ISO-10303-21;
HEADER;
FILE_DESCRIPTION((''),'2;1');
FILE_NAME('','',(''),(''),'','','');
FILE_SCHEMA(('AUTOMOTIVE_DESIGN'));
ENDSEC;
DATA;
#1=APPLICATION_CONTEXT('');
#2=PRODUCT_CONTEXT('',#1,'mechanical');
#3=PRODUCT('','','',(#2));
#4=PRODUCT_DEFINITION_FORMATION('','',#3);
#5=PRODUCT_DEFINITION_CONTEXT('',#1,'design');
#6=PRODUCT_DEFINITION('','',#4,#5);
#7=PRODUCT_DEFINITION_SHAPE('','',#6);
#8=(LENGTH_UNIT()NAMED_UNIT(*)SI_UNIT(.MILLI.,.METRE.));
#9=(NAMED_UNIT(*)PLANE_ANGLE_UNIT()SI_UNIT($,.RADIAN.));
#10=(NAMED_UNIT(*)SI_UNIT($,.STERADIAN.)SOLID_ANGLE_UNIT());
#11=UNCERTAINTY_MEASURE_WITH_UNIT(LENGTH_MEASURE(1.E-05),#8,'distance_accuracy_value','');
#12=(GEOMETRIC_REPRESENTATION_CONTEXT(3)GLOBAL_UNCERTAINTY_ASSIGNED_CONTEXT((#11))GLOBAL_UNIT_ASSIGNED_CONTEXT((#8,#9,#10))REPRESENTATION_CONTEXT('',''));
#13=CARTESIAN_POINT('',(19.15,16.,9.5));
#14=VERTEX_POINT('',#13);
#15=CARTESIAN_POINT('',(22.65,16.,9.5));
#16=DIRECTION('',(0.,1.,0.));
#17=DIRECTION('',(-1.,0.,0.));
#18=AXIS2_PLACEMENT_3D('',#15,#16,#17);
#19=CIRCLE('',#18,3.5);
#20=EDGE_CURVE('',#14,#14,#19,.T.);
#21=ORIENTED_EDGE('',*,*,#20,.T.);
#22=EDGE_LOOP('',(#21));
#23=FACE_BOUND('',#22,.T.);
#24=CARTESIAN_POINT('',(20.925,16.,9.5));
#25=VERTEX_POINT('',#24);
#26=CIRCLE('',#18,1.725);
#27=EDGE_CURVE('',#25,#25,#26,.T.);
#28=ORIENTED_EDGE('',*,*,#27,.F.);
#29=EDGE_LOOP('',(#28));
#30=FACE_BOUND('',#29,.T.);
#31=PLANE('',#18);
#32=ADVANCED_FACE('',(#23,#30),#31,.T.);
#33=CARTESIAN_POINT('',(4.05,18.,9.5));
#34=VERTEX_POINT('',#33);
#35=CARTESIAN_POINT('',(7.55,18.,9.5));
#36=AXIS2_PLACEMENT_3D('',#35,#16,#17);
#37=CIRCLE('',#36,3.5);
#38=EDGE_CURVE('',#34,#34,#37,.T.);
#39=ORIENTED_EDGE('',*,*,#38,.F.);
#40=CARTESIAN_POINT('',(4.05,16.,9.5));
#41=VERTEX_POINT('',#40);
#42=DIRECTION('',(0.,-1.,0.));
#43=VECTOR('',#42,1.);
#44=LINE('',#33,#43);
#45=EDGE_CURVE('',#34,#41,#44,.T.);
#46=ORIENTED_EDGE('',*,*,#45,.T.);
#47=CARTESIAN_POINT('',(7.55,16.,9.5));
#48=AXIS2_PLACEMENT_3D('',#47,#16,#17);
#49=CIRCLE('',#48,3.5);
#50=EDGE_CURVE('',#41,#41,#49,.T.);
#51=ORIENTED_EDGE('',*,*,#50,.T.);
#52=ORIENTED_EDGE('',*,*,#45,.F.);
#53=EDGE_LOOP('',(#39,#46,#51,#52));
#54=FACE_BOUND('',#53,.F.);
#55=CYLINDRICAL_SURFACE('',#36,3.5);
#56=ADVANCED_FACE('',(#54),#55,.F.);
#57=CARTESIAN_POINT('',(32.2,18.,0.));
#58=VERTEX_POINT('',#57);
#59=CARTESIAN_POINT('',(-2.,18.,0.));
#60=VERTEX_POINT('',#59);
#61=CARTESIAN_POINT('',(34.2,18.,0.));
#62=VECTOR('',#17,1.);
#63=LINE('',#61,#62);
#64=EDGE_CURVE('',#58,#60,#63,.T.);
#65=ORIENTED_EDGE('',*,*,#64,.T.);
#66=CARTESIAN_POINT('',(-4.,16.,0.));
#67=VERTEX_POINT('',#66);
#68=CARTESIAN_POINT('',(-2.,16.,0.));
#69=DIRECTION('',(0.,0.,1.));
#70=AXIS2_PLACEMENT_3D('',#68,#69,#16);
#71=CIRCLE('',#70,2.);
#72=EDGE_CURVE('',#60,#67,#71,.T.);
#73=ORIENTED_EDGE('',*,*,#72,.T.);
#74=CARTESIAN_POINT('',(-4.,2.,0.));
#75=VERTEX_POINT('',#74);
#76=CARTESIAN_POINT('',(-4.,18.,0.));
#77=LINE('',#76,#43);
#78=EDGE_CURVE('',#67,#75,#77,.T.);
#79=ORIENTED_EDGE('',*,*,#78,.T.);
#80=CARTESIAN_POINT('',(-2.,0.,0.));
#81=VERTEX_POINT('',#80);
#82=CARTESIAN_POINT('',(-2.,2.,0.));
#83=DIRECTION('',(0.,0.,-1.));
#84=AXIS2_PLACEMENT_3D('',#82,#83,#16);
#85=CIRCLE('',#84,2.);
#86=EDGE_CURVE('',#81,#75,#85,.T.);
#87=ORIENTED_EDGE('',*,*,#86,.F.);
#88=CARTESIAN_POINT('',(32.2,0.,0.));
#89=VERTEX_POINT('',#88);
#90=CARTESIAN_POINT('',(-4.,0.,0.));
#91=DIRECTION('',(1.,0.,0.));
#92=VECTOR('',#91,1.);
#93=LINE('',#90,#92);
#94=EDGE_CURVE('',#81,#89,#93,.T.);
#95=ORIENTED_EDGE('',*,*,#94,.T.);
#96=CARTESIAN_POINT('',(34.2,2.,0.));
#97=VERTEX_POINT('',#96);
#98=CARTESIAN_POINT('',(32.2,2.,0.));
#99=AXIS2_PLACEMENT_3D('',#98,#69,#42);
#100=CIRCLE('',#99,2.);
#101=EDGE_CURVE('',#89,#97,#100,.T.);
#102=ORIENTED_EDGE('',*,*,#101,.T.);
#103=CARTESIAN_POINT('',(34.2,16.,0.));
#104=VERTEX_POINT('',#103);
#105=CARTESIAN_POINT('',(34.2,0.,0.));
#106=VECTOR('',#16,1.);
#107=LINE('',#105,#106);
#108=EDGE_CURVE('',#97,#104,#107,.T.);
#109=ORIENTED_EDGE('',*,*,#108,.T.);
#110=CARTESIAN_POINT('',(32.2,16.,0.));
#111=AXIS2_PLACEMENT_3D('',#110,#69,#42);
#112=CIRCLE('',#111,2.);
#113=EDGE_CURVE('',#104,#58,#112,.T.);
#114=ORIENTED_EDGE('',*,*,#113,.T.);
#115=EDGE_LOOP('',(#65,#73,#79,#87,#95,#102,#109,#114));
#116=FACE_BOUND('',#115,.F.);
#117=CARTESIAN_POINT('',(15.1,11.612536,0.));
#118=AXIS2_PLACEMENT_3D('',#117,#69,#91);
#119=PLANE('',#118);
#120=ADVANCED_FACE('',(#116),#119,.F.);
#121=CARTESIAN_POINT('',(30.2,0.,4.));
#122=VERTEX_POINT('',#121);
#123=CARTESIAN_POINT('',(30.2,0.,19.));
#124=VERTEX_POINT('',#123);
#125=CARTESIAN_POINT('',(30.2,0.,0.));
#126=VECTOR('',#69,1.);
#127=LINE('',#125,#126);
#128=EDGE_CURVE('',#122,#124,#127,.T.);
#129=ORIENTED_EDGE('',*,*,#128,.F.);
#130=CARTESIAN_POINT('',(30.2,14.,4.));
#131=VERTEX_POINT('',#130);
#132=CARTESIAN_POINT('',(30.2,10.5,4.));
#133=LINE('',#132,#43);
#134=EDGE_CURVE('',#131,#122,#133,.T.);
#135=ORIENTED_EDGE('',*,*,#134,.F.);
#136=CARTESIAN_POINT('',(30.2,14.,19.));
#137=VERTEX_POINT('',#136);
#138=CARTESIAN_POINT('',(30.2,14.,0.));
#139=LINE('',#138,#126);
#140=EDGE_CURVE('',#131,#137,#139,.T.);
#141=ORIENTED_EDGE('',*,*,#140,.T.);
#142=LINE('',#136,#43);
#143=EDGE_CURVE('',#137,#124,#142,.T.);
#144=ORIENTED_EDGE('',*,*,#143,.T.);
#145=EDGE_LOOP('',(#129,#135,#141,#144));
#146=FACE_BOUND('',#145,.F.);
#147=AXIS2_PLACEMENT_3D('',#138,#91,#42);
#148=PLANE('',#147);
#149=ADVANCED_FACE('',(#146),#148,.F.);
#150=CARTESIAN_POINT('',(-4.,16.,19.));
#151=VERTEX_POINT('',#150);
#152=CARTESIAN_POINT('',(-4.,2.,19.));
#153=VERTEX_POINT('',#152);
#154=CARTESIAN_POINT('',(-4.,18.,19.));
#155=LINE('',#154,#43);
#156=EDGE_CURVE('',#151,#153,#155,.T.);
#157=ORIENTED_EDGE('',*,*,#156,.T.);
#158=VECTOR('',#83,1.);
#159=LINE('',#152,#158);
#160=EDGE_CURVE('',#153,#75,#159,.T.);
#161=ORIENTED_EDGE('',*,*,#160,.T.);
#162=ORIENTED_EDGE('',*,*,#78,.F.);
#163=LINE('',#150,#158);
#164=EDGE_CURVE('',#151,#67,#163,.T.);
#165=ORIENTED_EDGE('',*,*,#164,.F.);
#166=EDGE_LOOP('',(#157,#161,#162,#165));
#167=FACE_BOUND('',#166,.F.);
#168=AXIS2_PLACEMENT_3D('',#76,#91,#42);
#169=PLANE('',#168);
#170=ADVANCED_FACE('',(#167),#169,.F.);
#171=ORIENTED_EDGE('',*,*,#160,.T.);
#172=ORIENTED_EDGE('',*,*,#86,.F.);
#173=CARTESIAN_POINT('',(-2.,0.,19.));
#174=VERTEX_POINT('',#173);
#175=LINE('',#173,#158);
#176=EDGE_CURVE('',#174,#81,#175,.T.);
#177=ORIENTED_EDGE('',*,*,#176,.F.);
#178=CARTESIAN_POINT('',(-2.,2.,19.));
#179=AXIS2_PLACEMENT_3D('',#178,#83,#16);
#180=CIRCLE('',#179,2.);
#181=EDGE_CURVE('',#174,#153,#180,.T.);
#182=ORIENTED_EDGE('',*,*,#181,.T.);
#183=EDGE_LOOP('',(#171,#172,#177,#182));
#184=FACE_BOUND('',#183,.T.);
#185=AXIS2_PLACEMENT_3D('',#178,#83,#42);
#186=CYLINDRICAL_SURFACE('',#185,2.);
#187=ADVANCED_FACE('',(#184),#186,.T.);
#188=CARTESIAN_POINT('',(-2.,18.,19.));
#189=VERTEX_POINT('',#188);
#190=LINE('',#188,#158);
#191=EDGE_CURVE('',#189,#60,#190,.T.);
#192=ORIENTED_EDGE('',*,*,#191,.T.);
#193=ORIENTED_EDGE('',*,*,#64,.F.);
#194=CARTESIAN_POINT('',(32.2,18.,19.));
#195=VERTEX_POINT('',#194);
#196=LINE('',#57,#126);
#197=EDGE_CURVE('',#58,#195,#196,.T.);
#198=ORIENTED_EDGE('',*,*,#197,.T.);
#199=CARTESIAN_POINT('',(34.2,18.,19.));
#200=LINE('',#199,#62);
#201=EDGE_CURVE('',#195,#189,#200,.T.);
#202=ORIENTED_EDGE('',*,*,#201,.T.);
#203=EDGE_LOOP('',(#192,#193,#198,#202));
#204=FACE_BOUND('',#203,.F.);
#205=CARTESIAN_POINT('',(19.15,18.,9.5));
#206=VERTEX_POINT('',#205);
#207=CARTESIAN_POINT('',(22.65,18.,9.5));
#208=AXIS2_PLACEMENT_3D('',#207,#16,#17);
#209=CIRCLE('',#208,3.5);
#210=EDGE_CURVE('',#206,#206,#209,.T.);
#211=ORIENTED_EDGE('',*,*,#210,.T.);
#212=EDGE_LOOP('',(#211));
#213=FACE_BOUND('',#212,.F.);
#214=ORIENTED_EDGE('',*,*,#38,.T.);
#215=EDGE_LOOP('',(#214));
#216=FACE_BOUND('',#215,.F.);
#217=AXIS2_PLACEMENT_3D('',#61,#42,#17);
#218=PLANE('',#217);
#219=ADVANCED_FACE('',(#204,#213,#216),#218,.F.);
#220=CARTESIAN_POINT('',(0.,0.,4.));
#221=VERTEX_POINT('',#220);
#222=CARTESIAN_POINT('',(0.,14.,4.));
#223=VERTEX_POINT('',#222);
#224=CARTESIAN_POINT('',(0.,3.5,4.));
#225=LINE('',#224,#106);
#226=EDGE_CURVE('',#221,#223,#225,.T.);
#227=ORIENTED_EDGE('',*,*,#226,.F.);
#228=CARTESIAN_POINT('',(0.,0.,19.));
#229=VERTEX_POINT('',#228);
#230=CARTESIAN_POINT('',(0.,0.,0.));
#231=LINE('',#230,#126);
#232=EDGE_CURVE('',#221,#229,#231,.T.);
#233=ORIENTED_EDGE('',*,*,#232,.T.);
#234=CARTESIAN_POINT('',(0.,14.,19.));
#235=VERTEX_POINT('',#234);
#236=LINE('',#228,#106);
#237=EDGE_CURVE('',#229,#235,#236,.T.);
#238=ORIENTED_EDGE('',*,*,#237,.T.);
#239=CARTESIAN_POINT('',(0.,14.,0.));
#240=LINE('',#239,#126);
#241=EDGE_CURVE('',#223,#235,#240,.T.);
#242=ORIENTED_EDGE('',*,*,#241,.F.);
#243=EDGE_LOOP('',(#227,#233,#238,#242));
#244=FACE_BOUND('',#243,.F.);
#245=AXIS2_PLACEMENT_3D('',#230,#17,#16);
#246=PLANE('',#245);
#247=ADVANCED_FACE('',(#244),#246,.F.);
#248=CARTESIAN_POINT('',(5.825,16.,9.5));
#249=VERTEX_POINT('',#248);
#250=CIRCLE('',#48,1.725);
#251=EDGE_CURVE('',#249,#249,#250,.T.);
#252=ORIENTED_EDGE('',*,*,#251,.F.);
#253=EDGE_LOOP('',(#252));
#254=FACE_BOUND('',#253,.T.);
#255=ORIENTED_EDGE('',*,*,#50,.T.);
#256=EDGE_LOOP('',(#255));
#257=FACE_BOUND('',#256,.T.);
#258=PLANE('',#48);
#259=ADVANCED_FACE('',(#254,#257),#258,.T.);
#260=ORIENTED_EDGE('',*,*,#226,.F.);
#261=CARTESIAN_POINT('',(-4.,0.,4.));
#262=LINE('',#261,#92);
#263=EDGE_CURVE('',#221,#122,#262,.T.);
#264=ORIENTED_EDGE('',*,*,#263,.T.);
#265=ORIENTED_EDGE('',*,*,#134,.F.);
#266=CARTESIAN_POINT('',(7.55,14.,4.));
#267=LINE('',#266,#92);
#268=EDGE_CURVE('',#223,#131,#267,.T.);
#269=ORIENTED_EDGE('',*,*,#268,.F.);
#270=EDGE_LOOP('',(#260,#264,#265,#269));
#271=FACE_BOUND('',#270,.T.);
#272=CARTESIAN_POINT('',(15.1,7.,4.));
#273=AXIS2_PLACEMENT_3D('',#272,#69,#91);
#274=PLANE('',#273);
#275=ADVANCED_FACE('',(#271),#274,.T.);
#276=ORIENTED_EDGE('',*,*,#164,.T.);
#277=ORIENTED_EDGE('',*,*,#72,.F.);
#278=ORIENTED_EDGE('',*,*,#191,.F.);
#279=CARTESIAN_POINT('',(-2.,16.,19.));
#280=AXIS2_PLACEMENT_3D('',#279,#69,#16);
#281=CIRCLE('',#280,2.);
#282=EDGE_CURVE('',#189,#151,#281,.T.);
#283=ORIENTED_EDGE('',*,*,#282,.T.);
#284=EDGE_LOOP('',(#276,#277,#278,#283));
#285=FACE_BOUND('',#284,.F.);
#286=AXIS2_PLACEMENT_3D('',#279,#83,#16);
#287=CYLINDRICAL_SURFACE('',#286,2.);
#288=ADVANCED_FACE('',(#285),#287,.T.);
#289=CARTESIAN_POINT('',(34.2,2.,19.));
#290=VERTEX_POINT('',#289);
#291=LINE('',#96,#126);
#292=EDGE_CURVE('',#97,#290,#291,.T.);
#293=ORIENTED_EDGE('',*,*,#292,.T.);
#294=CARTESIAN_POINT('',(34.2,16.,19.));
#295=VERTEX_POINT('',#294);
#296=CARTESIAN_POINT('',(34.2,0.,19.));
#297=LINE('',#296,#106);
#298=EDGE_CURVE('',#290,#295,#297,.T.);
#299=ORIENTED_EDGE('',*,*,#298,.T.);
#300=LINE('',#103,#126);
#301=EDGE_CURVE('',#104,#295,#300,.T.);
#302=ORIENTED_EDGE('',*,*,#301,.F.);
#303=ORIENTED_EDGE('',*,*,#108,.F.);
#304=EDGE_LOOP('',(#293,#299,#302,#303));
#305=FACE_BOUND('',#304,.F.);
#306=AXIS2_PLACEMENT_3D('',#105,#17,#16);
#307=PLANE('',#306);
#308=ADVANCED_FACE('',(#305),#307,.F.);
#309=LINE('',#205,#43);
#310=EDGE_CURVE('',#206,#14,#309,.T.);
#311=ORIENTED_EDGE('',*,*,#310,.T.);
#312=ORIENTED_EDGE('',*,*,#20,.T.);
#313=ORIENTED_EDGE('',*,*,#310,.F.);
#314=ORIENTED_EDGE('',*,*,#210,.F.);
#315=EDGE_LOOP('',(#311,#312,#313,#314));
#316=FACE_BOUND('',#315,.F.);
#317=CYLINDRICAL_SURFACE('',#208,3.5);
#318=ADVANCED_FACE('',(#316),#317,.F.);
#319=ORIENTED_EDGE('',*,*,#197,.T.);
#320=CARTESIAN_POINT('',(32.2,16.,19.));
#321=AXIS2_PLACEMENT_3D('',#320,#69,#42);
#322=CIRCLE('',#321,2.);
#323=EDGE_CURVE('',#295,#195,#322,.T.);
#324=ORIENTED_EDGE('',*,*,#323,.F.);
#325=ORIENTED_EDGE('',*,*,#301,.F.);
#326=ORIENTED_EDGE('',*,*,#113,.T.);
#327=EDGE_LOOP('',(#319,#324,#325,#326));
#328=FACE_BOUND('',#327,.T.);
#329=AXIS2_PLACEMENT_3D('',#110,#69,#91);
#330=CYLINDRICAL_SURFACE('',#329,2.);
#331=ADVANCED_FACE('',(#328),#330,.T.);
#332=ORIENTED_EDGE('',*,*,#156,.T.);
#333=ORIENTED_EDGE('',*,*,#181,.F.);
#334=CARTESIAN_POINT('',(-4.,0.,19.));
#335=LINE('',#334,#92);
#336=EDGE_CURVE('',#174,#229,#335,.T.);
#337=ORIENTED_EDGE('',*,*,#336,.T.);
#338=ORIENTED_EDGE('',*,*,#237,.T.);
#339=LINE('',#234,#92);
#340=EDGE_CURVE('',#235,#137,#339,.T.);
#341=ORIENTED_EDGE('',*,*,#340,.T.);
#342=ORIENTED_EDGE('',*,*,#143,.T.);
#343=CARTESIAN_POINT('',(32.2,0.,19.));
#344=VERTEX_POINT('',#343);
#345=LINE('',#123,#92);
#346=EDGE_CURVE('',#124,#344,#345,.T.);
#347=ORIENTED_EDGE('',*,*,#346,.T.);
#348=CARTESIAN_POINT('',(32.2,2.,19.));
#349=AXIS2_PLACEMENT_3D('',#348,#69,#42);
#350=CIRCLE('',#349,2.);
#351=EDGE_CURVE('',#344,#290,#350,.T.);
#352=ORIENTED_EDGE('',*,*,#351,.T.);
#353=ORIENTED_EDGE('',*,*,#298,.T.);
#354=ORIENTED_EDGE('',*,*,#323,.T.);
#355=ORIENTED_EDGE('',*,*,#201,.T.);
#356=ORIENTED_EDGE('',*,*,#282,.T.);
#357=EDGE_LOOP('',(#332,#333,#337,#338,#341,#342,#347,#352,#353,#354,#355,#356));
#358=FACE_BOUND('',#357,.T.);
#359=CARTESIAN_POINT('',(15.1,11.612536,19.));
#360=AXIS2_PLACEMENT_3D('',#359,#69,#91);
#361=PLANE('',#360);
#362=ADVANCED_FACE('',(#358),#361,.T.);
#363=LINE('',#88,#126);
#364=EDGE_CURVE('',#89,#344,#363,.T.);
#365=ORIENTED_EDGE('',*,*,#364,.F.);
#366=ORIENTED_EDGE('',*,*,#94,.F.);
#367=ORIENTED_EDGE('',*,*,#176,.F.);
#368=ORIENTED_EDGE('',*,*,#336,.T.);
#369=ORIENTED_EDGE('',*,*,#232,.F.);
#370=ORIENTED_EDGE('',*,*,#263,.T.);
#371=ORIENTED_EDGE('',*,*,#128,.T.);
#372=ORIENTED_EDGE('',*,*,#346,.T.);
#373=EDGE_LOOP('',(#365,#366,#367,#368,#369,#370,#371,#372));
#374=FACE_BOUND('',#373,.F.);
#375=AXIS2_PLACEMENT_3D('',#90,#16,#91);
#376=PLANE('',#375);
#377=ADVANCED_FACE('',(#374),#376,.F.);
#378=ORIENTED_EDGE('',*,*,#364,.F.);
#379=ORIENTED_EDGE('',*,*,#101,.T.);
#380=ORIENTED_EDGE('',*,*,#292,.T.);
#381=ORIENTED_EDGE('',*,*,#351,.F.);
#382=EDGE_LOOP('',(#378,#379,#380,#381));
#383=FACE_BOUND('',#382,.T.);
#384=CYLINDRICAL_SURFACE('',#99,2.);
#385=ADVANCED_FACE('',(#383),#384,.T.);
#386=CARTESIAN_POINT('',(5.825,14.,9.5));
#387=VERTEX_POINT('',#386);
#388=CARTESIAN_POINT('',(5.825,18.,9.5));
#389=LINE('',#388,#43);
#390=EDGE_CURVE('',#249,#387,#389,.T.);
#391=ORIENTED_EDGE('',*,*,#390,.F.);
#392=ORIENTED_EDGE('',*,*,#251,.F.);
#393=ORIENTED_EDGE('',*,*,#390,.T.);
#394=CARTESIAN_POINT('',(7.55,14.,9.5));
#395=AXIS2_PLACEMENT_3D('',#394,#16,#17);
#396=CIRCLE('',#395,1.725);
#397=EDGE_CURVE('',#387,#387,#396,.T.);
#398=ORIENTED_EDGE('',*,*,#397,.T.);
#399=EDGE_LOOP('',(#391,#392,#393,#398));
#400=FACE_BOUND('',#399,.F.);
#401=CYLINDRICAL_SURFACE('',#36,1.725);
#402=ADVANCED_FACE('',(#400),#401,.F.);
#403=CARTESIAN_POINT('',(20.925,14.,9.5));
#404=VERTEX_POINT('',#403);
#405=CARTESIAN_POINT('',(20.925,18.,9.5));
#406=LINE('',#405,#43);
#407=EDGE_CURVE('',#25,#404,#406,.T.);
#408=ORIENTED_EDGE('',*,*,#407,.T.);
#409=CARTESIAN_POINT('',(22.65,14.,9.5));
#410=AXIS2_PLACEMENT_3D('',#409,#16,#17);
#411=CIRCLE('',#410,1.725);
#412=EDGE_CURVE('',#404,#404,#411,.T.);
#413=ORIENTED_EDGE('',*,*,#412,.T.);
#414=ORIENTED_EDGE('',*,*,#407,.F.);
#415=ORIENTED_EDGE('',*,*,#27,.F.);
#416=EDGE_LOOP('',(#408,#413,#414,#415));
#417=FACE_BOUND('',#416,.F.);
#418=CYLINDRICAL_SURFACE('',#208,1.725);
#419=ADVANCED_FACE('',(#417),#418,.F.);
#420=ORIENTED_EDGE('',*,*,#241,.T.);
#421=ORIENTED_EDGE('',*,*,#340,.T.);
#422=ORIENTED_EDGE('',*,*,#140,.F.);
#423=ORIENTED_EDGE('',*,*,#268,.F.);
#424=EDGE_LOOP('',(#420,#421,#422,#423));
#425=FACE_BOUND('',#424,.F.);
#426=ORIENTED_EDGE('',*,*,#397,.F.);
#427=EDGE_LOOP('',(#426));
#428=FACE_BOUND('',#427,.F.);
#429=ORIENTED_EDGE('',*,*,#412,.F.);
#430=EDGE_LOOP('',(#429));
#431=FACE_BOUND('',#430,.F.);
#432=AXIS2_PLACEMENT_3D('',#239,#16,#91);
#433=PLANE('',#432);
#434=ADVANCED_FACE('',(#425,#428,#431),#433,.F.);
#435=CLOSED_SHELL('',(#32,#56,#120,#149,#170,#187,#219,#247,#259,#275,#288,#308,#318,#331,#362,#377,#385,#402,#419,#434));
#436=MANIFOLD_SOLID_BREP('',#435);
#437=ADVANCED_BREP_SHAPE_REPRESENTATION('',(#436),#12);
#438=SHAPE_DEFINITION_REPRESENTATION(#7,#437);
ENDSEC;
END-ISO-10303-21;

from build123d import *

# Parameters (mm, degrees)
F1_DEPTH = 19
F0_W     = 30.2
F0_H     = 14
F2_DEPTH = 4
F3_R     = 2
F4_R     = 3.5
F4_R_2   = 1.725
F5_DEPTH = 2
F6_DEPTH = 4


with BuildPart() as f1:
    # F0 (on Top) → F1 (new body)
    with BuildSketch(Plane.XY):
        Polygon((-4, 0), (0, 0), (0, 14), (30.2, 14), (30.2, 0), (34.2, 0), (34.2, 18), (-4, 18), align=None)
    extrude(amount=F1_DEPTH)

    # F0 (on Top) → F2 (join)
    with BuildSketch(Plane.XY):
        with Locations((15.1, 7)):
            Rectangle(F0_W, F0_H)
        Polygon((-4, 0), (0, 0), (0, 14), (30.2, 14), (30.2, 0), (34.2, 0), (34.2, 18), (-4, 18), align=None)
    extrude(amount=F2_DEPTH)

    # F3
    f3_edges = [f1.edges().sort_by_distance(p)[0] for p in [
        (-4, 18, 9.5),
        (34.2, 18, 9.5),
        (34.2, 0, 9.5),
        (-4, 0, 9.5),
    ]]
    fillet(f3_edges, radius=F3_R)

    # F4 (on face) → F5 (cut)
    with BuildSketch(Plane(origin=(0, 18, 0), x_dir=(-1, 0, 0), z_dir=(0, 1, 0))):
        with Locations((-7.55, 9.5)):
            Circle(F4_R)
        with Locations((-7.55, 9.5)):
            Circle(F4_R_2, mode=Mode.SUBTRACT)
        with Locations((-22.65, 9.5)):
            Circle(F4_R)
        with Locations((-22.65, 9.5)):
            Circle(F4_R_2, mode=Mode.SUBTRACT)
    extrude(amount=-F5_DEPTH, mode=Mode.SUBTRACT)

    # F4 (on face) → F6 (cut, through all)
    with BuildSketch(Plane(origin=(0, 18, 0), x_dir=(-1, 0, 0), z_dir=(0, 1, 0))):
        with Locations((-22.65, 9.5)):
            Circle(F4_R_2)
        with Locations((-7.55, 9.5)):
            Circle(F4_R_2)
    extrude(amount=-F6_DEPTH, mode=Mode.SUBTRACT)


solid = f1.part
